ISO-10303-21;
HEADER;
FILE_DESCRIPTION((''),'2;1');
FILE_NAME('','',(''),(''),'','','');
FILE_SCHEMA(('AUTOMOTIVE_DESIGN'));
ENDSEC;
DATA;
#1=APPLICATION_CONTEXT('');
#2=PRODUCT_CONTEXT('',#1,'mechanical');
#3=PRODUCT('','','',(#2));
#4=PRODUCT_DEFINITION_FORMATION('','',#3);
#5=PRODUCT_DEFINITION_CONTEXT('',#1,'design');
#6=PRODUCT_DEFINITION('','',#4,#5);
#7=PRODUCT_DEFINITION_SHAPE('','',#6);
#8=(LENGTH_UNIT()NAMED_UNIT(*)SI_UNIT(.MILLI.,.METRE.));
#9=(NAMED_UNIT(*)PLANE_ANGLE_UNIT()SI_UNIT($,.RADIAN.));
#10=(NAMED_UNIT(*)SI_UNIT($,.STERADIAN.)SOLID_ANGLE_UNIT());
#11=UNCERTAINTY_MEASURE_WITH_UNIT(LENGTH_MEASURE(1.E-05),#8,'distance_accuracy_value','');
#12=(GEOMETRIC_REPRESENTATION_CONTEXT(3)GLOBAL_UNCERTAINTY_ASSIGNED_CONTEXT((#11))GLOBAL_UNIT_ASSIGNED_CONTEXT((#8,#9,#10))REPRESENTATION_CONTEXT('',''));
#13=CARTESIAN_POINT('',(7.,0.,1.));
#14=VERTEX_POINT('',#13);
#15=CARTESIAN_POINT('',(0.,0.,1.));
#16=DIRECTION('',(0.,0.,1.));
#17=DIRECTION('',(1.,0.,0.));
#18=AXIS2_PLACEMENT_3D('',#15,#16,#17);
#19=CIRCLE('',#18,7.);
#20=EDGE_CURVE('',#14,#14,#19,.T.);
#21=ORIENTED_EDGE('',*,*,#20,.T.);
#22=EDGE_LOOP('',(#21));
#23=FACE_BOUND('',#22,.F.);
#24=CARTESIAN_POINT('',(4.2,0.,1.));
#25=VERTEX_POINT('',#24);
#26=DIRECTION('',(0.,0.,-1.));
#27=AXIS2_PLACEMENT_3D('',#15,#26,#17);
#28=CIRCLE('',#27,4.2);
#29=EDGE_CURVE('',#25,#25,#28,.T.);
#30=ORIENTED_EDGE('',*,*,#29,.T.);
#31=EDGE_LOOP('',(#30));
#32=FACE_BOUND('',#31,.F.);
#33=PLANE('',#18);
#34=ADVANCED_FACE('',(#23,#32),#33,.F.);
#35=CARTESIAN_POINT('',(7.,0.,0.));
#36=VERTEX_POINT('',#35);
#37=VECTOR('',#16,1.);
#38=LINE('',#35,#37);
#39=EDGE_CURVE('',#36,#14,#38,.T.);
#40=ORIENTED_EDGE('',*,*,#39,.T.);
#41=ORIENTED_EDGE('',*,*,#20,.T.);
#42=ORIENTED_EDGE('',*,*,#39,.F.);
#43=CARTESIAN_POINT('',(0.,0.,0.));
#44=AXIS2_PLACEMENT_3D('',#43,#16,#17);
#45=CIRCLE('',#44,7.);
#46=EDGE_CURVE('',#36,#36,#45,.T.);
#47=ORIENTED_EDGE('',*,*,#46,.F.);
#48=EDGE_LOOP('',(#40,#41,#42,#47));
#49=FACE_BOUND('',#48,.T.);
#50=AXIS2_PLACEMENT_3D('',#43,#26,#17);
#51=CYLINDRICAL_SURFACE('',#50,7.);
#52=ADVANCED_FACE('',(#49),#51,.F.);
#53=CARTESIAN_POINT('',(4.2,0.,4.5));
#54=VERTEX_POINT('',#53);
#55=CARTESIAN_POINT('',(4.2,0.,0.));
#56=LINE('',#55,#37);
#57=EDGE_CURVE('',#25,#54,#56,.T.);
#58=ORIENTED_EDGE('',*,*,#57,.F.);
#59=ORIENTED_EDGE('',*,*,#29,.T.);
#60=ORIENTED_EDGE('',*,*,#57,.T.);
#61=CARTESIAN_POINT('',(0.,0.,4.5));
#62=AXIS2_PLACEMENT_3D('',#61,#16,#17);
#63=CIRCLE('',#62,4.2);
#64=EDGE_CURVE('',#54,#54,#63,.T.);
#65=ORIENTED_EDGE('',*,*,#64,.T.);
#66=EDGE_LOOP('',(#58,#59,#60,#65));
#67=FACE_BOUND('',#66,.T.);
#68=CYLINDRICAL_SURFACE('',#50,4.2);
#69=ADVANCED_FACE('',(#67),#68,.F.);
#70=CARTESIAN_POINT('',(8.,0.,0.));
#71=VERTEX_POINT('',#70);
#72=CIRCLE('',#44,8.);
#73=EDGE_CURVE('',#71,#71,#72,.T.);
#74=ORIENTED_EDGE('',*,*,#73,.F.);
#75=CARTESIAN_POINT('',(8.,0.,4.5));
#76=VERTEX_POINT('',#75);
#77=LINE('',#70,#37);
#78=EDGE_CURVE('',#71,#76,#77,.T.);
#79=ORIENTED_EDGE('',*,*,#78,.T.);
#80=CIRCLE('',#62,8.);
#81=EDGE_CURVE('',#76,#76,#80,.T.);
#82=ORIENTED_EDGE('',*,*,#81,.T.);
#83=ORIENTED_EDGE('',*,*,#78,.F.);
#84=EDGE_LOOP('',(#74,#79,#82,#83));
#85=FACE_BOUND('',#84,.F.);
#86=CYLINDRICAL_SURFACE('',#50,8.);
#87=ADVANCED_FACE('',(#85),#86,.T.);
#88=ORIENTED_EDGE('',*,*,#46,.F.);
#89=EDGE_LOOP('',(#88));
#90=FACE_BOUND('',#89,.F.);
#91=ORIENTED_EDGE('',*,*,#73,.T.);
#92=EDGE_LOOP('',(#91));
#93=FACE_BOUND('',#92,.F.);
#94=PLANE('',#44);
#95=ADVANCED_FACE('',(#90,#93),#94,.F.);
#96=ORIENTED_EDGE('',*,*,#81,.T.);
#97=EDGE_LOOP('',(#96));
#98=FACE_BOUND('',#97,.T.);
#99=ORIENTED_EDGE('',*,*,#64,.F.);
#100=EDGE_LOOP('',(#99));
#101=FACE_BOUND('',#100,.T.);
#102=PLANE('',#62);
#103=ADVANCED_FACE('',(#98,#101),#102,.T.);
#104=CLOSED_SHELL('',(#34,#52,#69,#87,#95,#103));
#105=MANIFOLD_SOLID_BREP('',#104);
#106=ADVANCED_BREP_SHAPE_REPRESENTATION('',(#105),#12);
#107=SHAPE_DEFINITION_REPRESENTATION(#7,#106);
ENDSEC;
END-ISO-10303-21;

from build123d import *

# Parameters (mm, degrees)
CYLINDER014005899_R     = 7
CYLINDER014005899_DEPTH = 1
TUBE005_R               = 8
TUBE005_R_2             = 4.2
TUBE005_DEPTH           = 4.5


with BuildPart() as v_lec809:
    # Cylinder014005899 → Cylinder014005899 (new body)
    with BuildSketch(Plane.XY):
        Circle(CYLINDER014005899_R)
    extrude(amount=CYLINDER014005899_DEPTH)


with BuildPart() as ring001:
    # Tube005 → Tube005 (new body)
    with BuildSketch(Plane.XY):
        Circle(TUBE005_R)
        Circle(TUBE005_R_2, mode=Mode.SUBTRACT)
    extrude(amount=TUBE005_DEPTH)

    # Cut009003003009003003003003: cut Válec809
    add(v_lec809.part, mode=Mode.SUBTRACT)


solid = ring001.part
